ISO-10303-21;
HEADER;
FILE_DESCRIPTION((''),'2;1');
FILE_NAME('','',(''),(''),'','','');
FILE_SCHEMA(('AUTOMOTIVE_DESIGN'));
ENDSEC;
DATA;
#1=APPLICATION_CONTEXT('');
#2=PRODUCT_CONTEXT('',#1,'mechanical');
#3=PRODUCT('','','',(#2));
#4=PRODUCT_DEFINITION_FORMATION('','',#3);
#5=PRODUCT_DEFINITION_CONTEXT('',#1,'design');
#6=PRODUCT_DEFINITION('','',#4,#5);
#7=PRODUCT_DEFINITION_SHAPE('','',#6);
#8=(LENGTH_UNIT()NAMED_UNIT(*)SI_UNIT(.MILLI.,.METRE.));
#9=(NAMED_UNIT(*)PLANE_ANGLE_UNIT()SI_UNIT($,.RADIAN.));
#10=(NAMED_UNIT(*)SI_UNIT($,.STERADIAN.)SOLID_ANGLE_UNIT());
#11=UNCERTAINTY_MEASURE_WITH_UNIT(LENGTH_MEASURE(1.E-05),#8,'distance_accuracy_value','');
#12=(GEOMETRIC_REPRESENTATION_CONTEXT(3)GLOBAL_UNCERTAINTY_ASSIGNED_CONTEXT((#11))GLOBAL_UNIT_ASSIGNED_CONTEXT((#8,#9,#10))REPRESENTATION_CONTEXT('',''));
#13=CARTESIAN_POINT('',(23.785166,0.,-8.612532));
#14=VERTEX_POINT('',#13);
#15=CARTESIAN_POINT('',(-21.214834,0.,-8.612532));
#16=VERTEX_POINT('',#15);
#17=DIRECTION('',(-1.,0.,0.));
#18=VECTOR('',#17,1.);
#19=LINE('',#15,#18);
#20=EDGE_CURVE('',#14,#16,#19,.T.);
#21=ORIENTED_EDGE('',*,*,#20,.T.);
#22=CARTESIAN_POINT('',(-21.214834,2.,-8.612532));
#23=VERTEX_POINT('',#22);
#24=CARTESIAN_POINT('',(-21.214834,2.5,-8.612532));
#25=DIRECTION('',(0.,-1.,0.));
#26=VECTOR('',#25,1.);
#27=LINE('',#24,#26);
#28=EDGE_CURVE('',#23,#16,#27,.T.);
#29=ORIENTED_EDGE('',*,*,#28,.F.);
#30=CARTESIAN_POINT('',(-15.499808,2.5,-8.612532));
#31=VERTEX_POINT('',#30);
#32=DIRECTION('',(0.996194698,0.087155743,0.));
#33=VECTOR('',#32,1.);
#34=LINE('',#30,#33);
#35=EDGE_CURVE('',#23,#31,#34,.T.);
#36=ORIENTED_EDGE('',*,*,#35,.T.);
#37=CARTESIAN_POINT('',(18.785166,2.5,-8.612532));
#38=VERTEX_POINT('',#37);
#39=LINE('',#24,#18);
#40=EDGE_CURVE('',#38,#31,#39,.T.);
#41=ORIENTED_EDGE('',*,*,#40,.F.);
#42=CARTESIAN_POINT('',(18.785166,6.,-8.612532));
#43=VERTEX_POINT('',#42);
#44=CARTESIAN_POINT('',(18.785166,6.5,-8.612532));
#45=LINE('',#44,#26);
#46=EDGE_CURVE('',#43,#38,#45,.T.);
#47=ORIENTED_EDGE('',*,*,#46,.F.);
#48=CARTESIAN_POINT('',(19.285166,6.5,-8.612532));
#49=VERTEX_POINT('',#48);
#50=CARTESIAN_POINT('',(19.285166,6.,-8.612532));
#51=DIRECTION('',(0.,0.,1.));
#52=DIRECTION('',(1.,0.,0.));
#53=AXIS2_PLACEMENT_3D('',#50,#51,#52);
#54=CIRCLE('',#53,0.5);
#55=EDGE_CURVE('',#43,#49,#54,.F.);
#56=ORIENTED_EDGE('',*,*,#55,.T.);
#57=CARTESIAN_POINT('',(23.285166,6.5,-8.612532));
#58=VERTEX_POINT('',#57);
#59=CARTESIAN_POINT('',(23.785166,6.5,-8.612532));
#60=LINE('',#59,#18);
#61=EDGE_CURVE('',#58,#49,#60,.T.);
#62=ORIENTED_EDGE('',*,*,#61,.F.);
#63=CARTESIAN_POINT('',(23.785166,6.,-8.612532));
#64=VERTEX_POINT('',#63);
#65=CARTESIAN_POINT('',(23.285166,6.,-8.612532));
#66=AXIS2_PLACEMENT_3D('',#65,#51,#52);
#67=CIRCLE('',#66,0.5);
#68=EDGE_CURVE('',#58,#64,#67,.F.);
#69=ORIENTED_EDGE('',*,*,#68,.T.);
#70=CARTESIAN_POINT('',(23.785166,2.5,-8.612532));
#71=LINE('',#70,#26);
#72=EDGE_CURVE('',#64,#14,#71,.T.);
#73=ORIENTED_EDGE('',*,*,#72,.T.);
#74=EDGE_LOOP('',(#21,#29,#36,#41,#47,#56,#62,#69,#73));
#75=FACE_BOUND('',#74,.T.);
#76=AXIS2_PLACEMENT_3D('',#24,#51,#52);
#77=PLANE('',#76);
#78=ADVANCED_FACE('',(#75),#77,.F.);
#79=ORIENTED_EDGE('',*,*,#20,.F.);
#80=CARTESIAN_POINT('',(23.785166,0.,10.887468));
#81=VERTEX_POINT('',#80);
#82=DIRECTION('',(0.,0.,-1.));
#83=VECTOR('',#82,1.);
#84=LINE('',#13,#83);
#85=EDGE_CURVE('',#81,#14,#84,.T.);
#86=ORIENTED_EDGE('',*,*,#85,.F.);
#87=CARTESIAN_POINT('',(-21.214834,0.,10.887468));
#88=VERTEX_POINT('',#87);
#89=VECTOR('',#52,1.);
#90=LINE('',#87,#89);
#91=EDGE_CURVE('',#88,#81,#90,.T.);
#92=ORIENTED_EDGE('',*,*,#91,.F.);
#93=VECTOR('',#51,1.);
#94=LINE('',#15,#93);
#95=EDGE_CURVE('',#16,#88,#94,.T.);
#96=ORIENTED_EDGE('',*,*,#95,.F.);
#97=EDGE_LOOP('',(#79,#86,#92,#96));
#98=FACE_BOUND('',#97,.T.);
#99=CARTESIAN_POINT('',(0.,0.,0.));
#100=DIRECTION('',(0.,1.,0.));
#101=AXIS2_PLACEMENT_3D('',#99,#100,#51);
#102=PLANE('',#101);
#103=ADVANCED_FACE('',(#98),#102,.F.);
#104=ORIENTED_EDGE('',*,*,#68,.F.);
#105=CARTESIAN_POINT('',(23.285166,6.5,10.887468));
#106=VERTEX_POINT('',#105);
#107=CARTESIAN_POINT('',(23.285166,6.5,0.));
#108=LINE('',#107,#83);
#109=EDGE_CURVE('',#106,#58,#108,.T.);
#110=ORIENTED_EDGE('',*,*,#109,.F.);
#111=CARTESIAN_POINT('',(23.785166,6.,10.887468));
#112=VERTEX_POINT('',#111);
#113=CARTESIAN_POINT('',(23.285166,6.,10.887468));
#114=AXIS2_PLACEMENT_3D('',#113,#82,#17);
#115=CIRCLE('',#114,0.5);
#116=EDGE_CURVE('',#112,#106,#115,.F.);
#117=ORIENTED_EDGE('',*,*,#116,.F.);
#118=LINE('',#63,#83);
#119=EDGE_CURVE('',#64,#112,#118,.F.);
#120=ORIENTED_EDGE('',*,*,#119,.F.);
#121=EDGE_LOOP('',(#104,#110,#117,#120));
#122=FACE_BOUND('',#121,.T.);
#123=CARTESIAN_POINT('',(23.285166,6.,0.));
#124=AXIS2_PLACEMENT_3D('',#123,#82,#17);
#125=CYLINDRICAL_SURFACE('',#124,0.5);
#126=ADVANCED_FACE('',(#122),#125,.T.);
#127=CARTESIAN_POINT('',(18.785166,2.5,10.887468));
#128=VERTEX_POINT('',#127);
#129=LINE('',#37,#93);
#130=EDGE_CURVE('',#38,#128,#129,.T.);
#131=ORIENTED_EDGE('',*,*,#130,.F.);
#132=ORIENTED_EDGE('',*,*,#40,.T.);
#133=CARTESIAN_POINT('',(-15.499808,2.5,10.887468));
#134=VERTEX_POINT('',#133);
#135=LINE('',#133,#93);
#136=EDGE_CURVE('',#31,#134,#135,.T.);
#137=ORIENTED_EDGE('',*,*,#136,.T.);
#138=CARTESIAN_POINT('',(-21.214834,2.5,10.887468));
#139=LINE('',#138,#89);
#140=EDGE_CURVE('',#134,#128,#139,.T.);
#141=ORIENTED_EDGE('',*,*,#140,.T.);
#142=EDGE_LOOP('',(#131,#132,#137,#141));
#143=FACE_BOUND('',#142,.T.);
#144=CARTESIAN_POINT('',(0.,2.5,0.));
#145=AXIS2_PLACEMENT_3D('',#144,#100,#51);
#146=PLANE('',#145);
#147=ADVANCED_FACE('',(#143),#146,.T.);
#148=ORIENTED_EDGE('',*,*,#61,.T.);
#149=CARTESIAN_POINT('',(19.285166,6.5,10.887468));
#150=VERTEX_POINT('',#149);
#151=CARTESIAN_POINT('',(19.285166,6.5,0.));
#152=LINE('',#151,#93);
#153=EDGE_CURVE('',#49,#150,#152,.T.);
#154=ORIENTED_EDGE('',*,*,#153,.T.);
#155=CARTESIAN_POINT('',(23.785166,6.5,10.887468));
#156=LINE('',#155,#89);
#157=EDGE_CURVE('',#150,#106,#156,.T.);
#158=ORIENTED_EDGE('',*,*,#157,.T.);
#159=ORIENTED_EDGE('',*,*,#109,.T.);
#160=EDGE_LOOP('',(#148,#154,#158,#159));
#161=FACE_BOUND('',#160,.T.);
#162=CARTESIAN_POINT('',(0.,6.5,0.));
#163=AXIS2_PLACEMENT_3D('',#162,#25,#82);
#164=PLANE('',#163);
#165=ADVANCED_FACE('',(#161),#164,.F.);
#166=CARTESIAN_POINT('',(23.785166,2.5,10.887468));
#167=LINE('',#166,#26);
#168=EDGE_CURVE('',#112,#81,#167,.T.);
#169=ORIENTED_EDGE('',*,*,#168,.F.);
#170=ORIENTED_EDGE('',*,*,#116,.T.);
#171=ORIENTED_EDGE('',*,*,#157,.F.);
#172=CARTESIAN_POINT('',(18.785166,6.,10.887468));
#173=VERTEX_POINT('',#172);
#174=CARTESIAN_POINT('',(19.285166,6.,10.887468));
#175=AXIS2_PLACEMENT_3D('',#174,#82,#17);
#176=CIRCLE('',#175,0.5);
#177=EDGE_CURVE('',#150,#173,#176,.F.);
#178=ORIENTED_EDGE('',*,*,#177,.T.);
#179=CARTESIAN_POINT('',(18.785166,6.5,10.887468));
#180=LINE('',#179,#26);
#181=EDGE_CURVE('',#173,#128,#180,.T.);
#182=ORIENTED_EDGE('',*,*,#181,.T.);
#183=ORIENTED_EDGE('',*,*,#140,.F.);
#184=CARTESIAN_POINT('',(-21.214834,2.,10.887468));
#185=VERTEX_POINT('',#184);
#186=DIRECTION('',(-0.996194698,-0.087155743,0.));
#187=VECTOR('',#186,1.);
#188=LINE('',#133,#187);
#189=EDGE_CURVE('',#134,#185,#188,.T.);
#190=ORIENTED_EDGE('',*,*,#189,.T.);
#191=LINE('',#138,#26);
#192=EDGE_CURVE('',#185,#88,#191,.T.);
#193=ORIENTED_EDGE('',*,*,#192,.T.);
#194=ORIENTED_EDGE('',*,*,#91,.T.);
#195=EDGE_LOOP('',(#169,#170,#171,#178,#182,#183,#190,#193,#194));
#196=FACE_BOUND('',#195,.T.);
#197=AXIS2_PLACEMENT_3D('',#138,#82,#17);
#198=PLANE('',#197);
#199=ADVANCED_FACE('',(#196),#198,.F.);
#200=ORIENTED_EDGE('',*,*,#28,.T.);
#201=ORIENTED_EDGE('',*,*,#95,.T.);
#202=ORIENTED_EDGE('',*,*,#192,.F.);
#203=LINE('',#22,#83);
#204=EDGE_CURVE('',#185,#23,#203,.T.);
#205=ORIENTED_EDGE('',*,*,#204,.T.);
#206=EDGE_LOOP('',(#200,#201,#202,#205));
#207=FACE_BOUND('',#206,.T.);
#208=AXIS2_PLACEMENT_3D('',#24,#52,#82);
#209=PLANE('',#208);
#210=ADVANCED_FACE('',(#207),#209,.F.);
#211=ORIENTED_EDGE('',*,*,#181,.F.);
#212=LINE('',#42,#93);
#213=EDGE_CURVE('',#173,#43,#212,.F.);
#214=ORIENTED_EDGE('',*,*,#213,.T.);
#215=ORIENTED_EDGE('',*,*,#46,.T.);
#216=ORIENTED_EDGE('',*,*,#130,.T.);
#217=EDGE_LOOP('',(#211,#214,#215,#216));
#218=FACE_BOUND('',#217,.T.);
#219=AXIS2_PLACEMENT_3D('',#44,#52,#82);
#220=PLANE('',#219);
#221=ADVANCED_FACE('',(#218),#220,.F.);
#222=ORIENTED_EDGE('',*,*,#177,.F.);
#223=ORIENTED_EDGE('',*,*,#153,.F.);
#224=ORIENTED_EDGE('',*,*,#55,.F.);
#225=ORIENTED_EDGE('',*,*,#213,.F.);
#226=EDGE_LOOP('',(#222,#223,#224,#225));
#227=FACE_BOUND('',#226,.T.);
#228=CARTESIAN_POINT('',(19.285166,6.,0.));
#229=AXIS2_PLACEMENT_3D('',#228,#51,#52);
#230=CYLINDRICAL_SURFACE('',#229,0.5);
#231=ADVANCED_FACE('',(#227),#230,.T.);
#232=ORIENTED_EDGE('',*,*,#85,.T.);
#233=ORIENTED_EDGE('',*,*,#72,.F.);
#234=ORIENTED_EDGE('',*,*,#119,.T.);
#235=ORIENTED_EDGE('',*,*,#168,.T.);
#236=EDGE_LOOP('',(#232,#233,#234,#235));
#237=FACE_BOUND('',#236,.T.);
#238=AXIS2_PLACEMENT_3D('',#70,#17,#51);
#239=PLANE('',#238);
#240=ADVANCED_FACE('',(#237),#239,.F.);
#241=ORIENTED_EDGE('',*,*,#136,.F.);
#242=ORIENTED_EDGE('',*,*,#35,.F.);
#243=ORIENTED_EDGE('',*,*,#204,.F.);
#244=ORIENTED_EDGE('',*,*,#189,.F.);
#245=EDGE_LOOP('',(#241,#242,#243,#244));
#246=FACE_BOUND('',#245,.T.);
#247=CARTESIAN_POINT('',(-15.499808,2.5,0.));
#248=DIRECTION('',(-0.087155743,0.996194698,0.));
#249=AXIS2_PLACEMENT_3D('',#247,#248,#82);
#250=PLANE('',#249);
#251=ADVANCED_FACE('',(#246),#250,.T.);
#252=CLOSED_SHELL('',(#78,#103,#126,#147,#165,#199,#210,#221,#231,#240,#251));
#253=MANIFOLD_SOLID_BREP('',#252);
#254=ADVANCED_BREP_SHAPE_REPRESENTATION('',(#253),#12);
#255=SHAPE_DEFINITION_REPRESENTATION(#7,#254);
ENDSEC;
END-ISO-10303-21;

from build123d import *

# Parameters (mm, degrees)
SKETCH1_W           = 45
SKETCH1_H           = 19.5
BOSS_EXTRUDE1_DEPTH = 2.5
SKETCH2_W           = 5
SKETCH2_H           = 19.5
BOSS_EXTRUDE2_DEPTH = 4
FILLET1_R           = 0.5
CHAMFER1_SIZE       = 0.5
CHAMFER1_SIZE2      = 5.715026151


with BuildPart() as part:
    # Sketch1 → Boss-Extrude1 (new body)
    with BuildSketch(Plane(origin=(0, 0, 0), x_dir=(1, 0, 0), z_dir=(0, 1, 0))):
        with Locations((1.28516624, -1.137468031)):
            Rectangle(SKETCH1_W, SKETCH1_H)
    extrude(amount=BOSS_EXTRUDE1_DEPTH)

    # Sketch2 → Boss-Extrude2 (add)
    with BuildSketch(Plane(origin=(0, 2.5, 0), x_dir=(1, 0, 0), z_dir=(0, 1, 0))):
        with Locations((21.28516624, -1.137468031)):
            Rectangle(SKETCH2_W, SKETCH2_H)
    extrude(amount=BOSS_EXTRUDE2_DEPTH)

    # Fillet1
    fillet1_edges = [part.edges().sort_by_distance(p)[0] for p in [
        (23.78516624, 6.5, 1.137468031),
        (18.78516624, 6.5, 1.137468031),
    ]]
    fillet(fillet1_edges, radius=FILLET1_R)

    # Chamfer1
    chamfer1_edges = [part.edges().sort_by_distance(p)[0] for p in [
        (-21.21483376, 2.5, 1.137468031),
    ]]
    chamfer1_side = [part.faces().sort_by_distance(p)[0] for p in [
        (-21.21483376, 1.25, 1.137468031),
    ]]
    chamfer(chamfer1_edges, length=CHAMFER1_SIZE, length2=CHAMFER1_SIZE2, reference=chamfer1_side[0])


solid = part.part
